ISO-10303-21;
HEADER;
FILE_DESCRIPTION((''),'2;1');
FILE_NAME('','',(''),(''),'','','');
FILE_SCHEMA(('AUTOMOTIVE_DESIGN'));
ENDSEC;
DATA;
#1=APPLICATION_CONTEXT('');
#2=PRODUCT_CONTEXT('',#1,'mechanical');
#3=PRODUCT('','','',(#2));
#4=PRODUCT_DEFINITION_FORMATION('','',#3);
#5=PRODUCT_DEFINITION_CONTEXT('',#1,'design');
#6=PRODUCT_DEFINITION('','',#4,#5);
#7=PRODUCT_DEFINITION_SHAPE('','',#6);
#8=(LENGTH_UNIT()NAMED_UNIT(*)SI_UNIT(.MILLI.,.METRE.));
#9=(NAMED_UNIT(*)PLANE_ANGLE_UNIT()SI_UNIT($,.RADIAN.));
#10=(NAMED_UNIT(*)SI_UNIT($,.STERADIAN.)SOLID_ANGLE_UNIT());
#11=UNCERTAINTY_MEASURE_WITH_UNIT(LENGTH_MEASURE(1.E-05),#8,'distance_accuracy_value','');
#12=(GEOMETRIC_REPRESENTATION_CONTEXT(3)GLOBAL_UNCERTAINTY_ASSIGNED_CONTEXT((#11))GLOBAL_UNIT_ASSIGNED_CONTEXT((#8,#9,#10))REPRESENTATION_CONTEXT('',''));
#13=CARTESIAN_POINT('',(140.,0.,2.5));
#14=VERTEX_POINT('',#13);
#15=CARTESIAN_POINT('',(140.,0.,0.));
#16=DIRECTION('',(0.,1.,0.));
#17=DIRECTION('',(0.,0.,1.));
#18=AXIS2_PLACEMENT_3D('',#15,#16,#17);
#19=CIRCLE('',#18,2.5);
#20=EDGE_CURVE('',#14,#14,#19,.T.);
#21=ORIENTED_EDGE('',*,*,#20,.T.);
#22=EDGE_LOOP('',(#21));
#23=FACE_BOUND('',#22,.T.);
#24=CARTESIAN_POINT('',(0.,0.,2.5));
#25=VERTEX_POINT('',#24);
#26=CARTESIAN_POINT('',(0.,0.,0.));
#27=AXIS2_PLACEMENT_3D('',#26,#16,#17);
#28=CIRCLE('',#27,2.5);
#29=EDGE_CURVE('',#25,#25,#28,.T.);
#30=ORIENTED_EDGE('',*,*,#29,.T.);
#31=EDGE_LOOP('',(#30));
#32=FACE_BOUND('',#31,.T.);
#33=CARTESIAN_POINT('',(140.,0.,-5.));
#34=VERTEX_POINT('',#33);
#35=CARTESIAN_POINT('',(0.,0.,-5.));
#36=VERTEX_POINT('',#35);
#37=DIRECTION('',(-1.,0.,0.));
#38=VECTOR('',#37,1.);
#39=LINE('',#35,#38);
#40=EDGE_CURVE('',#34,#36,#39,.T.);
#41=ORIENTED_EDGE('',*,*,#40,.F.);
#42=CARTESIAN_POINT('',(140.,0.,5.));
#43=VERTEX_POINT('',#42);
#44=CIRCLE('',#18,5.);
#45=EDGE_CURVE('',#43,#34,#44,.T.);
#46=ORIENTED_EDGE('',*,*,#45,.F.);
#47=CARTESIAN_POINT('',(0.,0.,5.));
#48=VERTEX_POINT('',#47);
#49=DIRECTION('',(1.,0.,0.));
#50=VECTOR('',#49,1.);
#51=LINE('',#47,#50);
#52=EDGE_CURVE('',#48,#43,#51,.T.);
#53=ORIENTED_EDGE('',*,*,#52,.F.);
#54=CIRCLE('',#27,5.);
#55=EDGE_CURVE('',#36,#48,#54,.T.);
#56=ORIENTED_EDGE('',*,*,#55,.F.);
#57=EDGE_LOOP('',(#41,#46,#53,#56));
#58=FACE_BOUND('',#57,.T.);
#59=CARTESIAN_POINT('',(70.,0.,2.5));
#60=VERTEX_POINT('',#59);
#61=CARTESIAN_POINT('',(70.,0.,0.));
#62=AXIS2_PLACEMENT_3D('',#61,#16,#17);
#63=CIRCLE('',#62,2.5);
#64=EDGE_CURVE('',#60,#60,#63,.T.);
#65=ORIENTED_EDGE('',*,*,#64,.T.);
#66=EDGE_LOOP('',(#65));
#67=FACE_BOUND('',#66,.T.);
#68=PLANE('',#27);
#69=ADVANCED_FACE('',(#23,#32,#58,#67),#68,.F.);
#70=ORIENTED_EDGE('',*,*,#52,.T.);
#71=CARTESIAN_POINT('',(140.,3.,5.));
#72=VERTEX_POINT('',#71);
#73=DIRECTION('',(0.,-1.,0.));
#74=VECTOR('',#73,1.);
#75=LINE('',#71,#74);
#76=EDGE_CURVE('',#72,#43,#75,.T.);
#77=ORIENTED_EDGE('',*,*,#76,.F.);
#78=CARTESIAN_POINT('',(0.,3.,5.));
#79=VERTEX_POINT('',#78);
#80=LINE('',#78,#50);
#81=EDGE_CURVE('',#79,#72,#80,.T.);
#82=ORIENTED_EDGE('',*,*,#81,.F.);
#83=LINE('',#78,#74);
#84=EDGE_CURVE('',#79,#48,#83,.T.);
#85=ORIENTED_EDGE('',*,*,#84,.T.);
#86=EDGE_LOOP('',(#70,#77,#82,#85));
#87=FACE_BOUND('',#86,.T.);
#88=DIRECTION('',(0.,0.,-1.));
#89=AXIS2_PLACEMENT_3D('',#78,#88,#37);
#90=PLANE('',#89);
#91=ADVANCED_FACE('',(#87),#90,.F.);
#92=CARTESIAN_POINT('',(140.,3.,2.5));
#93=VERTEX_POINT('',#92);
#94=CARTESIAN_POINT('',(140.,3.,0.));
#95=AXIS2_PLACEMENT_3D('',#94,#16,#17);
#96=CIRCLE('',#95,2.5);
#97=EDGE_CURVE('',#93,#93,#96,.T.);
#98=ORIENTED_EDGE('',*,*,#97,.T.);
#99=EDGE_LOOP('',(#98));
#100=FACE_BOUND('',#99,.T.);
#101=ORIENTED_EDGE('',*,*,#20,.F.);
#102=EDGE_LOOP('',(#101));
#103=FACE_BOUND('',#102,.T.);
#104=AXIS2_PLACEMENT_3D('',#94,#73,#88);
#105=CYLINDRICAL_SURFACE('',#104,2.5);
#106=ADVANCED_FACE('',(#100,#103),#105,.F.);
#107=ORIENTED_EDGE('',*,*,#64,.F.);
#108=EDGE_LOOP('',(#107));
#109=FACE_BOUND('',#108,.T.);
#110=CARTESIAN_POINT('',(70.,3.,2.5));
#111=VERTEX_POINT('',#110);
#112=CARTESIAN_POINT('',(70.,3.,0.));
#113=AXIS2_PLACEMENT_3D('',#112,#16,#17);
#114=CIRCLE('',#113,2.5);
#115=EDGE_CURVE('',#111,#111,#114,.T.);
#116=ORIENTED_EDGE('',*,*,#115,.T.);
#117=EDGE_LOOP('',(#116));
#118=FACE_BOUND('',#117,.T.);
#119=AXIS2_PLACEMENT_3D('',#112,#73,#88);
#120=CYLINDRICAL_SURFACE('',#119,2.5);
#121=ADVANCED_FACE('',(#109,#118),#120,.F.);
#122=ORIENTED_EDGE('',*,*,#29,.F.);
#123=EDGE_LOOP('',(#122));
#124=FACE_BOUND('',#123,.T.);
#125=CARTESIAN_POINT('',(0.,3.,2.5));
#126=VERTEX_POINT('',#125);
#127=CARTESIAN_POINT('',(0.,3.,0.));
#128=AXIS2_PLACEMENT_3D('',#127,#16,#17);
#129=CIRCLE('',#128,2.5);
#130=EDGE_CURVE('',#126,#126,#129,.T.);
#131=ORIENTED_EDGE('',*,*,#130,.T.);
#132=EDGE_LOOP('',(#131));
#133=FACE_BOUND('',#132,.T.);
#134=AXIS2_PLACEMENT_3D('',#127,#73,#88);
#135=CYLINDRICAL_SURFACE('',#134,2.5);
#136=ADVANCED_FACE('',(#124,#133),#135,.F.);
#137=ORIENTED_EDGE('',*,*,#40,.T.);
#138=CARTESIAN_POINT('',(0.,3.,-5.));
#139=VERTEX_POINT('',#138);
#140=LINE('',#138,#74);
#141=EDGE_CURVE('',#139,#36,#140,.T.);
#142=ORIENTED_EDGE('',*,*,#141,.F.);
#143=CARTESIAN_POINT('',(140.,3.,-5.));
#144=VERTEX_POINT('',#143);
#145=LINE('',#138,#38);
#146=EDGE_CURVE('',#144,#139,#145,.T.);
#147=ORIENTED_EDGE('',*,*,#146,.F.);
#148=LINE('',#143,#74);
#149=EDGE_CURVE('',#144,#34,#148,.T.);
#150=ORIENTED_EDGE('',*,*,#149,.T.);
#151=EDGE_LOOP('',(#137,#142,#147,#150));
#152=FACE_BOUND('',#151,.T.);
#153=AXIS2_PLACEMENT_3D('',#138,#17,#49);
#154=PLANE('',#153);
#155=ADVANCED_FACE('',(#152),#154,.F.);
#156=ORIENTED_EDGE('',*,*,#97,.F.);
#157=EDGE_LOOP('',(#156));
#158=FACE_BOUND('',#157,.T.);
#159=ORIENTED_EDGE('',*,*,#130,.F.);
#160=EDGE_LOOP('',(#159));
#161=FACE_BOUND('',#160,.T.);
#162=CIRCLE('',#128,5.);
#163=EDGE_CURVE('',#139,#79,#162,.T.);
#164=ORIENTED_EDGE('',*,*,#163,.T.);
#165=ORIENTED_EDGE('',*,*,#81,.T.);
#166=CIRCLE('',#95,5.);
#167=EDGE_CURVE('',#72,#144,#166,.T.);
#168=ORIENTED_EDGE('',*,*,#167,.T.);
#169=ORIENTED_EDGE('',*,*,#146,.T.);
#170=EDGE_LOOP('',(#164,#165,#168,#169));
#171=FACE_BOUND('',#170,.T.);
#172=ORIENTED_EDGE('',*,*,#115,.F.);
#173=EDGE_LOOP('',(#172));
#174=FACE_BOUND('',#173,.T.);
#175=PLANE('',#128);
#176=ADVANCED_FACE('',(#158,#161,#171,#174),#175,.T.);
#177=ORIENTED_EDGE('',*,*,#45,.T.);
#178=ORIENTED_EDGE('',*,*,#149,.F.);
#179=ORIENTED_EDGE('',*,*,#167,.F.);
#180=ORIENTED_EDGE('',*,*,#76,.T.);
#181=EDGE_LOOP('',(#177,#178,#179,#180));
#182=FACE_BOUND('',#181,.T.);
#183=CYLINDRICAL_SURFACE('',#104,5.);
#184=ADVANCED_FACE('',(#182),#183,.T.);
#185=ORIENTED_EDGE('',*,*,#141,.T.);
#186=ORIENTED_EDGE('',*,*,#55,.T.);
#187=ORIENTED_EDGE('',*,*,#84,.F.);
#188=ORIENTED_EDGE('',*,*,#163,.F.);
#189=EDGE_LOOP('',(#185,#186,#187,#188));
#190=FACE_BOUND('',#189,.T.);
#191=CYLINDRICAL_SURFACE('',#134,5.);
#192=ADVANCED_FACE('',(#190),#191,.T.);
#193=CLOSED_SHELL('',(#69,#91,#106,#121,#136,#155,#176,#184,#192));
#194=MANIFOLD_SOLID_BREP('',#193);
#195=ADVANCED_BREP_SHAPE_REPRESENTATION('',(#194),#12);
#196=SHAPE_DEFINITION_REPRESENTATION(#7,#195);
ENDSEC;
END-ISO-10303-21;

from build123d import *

# Parameters (mm, degrees)
SKETCH1_R           = 2.5
BOSS_EXTRUDE1_DEPTH = 3


with BuildPart() as part:
    # Sketch1 → Boss-Extrude1 (new body)
    with BuildSketch(Plane(origin=(0, 0, 0), x_dir=(1, 0, 0), z_dir=(0, 1, 0))):
        with BuildLine():
            Line((0, 5), (140, 5))
            ThreePointArc((140, 5), (145, 0), (140, -5))
            Line((140, -5), (0, -5))
            ThreePointArc((0, -5), (-5, 0), (0, 5))
        make_face()
        with Locations(Location((0, 0, 0), (0, 0, 270))):
            Circle(SKETCH1_R, mode=Mode.SUBTRACT)
        with Locations(Location((140, 0, 0), (0, 0, 270))):
            Circle(SKETCH1_R, mode=Mode.SUBTRACT)
        with Locations(Location((70, 0, 0), (0, 0, 270))):
            Circle(SKETCH1_R, mode=Mode.SUBTRACT)
    extrude(amount=BOSS_EXTRUDE1_DEPTH)


solid = part.part
